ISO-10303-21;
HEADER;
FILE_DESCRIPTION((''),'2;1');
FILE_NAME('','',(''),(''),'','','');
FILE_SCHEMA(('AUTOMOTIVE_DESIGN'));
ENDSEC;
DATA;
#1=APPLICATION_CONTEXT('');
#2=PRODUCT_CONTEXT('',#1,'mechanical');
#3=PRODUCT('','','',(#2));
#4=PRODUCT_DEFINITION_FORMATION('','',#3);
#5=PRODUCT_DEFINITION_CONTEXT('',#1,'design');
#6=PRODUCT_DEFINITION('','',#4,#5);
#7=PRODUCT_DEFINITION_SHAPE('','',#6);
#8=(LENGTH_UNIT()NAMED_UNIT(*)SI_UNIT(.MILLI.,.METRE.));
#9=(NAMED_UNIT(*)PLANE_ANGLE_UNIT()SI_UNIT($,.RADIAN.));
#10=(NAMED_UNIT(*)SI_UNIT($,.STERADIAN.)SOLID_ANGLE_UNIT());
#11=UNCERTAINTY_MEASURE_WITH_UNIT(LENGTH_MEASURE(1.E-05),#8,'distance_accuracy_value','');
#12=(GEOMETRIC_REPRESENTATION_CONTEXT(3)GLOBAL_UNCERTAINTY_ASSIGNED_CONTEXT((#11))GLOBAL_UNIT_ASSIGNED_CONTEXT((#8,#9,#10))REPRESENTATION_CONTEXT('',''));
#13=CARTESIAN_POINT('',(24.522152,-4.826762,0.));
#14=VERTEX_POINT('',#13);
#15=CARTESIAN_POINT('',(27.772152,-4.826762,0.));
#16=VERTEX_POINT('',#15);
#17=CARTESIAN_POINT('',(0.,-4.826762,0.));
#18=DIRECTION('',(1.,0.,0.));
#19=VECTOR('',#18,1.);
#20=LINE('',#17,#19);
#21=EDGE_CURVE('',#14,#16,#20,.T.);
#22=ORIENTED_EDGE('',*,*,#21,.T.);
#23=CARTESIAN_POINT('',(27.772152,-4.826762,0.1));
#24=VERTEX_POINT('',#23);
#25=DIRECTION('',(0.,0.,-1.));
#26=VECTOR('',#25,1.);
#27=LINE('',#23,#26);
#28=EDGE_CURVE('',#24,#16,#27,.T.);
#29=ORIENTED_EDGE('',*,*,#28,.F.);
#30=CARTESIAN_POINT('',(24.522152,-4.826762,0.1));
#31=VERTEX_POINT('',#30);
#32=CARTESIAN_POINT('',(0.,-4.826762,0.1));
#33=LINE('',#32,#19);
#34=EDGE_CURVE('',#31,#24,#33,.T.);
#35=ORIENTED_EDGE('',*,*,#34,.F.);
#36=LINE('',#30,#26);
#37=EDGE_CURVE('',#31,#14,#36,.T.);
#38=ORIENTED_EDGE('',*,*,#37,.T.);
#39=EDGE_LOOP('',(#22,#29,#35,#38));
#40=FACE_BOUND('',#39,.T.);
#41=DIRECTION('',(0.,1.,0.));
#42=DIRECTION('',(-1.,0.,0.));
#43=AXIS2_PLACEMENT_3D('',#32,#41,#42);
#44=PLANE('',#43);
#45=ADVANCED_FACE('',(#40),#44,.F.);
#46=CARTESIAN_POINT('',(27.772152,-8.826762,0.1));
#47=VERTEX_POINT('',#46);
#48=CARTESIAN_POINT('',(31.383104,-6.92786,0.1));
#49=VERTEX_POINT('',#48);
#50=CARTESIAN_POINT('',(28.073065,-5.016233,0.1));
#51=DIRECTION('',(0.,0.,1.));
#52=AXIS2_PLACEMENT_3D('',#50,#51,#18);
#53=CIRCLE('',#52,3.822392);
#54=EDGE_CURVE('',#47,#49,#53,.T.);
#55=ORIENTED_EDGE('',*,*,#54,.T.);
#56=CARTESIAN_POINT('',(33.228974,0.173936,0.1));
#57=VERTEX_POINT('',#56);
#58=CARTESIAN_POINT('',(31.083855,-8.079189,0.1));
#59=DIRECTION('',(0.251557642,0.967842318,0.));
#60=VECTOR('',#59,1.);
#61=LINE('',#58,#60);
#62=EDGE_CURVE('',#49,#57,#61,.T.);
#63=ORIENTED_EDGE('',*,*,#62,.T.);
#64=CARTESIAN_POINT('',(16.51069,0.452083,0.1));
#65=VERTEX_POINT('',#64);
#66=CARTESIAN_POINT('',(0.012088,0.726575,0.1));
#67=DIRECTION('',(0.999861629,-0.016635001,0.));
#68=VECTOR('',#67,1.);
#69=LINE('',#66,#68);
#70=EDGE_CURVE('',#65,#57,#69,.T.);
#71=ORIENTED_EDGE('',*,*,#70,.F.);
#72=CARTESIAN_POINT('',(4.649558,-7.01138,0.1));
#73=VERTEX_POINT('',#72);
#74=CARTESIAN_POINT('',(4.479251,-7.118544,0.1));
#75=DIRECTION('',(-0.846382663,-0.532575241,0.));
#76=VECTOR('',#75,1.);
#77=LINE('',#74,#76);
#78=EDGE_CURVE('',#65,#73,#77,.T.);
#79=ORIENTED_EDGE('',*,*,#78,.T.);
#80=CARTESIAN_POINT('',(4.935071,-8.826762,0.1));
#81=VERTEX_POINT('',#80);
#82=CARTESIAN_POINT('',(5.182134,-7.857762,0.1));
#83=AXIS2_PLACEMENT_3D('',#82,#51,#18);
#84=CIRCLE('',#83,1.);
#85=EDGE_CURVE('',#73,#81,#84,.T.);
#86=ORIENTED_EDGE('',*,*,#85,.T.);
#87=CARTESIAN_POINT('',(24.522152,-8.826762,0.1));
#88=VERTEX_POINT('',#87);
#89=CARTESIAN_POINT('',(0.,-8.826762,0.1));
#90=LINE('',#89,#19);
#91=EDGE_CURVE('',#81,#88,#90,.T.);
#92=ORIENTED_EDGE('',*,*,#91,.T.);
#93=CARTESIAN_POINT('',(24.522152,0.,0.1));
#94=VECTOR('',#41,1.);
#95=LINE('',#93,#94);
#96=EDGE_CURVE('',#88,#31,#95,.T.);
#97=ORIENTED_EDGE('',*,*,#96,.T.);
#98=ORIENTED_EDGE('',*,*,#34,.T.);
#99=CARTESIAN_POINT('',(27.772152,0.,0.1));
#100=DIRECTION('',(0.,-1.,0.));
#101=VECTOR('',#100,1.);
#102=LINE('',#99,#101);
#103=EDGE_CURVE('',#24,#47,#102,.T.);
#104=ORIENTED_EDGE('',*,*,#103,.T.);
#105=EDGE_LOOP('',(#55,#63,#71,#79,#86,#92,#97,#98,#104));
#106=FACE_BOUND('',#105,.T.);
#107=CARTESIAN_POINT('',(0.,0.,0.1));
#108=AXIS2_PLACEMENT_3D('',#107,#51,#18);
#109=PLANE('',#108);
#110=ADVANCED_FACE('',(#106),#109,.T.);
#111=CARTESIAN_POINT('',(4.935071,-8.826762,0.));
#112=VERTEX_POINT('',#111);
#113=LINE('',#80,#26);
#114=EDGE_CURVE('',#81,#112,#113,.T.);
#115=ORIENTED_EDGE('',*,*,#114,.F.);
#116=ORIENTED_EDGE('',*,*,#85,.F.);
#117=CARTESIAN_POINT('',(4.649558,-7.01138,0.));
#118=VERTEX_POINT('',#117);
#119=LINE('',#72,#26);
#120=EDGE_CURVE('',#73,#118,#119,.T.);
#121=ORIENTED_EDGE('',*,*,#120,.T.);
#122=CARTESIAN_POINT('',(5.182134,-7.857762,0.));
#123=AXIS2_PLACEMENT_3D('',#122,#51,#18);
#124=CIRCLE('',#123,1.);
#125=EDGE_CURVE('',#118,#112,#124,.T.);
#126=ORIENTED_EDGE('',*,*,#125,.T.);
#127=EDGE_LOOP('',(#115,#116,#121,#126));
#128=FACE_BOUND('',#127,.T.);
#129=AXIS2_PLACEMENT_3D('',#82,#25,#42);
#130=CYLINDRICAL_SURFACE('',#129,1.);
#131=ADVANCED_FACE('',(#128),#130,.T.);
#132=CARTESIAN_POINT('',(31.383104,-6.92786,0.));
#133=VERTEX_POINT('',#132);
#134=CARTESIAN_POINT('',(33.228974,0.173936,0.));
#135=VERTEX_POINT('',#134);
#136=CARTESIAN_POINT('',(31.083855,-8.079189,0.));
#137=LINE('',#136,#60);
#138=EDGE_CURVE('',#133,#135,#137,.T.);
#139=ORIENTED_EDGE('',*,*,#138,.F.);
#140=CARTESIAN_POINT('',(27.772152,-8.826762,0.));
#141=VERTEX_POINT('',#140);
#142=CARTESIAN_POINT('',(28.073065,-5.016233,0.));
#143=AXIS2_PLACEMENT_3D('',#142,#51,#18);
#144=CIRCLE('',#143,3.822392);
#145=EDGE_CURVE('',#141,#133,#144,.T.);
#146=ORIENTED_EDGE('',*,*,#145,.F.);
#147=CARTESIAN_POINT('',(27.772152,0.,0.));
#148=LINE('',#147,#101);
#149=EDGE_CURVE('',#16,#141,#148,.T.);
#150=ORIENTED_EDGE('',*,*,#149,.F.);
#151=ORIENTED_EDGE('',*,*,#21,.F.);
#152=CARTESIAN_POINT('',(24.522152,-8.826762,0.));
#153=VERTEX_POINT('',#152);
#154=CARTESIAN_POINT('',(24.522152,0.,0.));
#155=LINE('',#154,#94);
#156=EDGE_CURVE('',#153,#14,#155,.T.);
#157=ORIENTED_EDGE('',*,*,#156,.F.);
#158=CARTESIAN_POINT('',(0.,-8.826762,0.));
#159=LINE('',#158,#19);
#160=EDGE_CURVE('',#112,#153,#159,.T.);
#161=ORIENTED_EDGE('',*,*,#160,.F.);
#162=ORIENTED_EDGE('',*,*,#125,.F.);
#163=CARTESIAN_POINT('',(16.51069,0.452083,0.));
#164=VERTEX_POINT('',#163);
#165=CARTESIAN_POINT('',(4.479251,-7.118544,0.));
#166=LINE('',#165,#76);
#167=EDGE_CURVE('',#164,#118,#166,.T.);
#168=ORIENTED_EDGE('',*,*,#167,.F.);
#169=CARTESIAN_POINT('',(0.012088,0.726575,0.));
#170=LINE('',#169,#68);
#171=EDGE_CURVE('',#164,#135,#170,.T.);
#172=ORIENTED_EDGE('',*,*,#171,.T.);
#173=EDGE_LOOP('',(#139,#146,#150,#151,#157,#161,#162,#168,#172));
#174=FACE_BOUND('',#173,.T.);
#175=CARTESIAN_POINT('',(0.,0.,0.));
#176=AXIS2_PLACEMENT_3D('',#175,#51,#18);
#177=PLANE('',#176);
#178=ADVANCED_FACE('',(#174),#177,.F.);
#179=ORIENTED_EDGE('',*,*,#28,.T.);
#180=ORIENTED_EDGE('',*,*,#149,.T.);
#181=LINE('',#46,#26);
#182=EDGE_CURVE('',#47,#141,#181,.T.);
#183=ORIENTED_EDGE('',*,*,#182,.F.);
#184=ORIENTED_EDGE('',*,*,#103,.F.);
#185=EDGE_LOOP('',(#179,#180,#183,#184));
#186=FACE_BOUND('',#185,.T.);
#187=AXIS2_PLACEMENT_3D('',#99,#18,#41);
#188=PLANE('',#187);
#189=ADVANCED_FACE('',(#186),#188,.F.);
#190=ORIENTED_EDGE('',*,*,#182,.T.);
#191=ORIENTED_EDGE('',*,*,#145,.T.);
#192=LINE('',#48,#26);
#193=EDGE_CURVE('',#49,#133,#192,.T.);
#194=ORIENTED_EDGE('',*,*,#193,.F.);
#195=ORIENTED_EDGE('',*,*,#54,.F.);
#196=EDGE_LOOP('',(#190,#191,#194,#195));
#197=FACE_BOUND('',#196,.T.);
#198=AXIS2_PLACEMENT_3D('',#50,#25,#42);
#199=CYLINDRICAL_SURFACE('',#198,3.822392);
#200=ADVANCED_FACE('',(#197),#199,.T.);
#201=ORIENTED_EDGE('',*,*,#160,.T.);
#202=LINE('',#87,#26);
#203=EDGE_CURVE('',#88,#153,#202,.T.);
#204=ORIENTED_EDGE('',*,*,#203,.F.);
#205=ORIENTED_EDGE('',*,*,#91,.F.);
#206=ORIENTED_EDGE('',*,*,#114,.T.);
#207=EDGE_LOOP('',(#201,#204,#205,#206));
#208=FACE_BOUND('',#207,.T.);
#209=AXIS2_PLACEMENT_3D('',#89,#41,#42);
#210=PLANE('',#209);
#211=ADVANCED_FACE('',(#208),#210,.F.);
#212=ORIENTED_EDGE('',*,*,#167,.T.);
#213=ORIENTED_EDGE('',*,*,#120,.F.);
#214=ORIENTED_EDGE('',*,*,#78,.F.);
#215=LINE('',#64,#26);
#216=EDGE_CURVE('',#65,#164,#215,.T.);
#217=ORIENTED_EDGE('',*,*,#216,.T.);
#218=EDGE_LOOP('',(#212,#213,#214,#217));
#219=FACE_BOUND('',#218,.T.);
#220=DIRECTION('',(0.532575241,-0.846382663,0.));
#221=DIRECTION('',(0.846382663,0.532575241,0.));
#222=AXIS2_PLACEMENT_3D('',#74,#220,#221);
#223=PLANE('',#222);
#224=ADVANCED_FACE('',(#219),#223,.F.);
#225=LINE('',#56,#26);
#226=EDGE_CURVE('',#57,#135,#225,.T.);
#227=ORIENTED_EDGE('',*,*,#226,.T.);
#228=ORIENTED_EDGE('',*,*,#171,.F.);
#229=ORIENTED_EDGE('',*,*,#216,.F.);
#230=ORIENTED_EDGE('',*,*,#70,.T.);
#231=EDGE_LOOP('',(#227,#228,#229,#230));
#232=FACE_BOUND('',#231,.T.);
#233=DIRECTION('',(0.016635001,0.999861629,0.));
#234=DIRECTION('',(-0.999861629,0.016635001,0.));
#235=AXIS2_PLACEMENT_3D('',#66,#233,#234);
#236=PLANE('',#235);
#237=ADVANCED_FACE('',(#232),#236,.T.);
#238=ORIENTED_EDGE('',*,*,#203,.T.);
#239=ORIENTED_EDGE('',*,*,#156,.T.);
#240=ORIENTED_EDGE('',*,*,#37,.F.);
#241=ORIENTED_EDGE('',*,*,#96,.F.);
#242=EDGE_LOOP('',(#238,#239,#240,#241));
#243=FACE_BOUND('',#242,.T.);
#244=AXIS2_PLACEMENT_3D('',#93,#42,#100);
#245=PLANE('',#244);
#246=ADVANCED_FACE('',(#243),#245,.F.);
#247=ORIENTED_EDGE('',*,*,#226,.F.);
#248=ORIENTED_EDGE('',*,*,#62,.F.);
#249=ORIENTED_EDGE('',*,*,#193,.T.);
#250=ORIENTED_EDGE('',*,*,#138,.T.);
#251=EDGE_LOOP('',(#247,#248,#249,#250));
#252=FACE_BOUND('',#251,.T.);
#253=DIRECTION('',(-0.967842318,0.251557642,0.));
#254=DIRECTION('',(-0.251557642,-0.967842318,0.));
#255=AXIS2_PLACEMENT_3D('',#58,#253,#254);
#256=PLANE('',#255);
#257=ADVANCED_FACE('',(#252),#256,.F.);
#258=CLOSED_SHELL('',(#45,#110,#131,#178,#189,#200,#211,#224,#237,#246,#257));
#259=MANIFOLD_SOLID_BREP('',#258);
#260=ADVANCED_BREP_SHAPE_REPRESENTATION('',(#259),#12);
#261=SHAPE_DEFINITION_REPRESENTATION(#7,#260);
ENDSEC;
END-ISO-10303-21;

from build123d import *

# Parameters (mm, degrees)
SALIENTE_EXTRUIR1_DEPTH = 0.1


with BuildPart() as part:
    # Model → Saliente-Extruir1 (new body)
    with BuildSketch(Plane.XY):
        with BuildLine():
            Line((33.228973848, 0.17393572), (16.510690428, 0.452082872))
            Line((16.510690428, 0.452082872), (4.649558375, -7.011379622))
            ThreePointArc((4.649558375, -7.011379622), (4.19427636, -8.013126504), (4.9350707, -8.826761725))
            Line((4.9350707, -8.826761725), (9.27203732, -8.826761725))
            Line((9.27203732, -8.826761725), (24.522151852, -8.826761725))
            Line((24.522151852, -8.826761725), (24.522151852, -4.826761725))
            Line((24.522151852, -4.826761725), (27.772151852, -4.826761725))
            Line((27.772151852, -4.826761725), (27.772151852, -8.826761725))
            ThreePointArc((27.772151852, -8.826761725), (29.852156514, -8.399354323), (31.383104023, -6.927859775))
            Line((31.383104023, -6.927859775), (33.228973848, 0.17393572))
        make_face()
    extrude(amount=SALIENTE_EXTRUIR1_DEPTH)


solid = part.part
